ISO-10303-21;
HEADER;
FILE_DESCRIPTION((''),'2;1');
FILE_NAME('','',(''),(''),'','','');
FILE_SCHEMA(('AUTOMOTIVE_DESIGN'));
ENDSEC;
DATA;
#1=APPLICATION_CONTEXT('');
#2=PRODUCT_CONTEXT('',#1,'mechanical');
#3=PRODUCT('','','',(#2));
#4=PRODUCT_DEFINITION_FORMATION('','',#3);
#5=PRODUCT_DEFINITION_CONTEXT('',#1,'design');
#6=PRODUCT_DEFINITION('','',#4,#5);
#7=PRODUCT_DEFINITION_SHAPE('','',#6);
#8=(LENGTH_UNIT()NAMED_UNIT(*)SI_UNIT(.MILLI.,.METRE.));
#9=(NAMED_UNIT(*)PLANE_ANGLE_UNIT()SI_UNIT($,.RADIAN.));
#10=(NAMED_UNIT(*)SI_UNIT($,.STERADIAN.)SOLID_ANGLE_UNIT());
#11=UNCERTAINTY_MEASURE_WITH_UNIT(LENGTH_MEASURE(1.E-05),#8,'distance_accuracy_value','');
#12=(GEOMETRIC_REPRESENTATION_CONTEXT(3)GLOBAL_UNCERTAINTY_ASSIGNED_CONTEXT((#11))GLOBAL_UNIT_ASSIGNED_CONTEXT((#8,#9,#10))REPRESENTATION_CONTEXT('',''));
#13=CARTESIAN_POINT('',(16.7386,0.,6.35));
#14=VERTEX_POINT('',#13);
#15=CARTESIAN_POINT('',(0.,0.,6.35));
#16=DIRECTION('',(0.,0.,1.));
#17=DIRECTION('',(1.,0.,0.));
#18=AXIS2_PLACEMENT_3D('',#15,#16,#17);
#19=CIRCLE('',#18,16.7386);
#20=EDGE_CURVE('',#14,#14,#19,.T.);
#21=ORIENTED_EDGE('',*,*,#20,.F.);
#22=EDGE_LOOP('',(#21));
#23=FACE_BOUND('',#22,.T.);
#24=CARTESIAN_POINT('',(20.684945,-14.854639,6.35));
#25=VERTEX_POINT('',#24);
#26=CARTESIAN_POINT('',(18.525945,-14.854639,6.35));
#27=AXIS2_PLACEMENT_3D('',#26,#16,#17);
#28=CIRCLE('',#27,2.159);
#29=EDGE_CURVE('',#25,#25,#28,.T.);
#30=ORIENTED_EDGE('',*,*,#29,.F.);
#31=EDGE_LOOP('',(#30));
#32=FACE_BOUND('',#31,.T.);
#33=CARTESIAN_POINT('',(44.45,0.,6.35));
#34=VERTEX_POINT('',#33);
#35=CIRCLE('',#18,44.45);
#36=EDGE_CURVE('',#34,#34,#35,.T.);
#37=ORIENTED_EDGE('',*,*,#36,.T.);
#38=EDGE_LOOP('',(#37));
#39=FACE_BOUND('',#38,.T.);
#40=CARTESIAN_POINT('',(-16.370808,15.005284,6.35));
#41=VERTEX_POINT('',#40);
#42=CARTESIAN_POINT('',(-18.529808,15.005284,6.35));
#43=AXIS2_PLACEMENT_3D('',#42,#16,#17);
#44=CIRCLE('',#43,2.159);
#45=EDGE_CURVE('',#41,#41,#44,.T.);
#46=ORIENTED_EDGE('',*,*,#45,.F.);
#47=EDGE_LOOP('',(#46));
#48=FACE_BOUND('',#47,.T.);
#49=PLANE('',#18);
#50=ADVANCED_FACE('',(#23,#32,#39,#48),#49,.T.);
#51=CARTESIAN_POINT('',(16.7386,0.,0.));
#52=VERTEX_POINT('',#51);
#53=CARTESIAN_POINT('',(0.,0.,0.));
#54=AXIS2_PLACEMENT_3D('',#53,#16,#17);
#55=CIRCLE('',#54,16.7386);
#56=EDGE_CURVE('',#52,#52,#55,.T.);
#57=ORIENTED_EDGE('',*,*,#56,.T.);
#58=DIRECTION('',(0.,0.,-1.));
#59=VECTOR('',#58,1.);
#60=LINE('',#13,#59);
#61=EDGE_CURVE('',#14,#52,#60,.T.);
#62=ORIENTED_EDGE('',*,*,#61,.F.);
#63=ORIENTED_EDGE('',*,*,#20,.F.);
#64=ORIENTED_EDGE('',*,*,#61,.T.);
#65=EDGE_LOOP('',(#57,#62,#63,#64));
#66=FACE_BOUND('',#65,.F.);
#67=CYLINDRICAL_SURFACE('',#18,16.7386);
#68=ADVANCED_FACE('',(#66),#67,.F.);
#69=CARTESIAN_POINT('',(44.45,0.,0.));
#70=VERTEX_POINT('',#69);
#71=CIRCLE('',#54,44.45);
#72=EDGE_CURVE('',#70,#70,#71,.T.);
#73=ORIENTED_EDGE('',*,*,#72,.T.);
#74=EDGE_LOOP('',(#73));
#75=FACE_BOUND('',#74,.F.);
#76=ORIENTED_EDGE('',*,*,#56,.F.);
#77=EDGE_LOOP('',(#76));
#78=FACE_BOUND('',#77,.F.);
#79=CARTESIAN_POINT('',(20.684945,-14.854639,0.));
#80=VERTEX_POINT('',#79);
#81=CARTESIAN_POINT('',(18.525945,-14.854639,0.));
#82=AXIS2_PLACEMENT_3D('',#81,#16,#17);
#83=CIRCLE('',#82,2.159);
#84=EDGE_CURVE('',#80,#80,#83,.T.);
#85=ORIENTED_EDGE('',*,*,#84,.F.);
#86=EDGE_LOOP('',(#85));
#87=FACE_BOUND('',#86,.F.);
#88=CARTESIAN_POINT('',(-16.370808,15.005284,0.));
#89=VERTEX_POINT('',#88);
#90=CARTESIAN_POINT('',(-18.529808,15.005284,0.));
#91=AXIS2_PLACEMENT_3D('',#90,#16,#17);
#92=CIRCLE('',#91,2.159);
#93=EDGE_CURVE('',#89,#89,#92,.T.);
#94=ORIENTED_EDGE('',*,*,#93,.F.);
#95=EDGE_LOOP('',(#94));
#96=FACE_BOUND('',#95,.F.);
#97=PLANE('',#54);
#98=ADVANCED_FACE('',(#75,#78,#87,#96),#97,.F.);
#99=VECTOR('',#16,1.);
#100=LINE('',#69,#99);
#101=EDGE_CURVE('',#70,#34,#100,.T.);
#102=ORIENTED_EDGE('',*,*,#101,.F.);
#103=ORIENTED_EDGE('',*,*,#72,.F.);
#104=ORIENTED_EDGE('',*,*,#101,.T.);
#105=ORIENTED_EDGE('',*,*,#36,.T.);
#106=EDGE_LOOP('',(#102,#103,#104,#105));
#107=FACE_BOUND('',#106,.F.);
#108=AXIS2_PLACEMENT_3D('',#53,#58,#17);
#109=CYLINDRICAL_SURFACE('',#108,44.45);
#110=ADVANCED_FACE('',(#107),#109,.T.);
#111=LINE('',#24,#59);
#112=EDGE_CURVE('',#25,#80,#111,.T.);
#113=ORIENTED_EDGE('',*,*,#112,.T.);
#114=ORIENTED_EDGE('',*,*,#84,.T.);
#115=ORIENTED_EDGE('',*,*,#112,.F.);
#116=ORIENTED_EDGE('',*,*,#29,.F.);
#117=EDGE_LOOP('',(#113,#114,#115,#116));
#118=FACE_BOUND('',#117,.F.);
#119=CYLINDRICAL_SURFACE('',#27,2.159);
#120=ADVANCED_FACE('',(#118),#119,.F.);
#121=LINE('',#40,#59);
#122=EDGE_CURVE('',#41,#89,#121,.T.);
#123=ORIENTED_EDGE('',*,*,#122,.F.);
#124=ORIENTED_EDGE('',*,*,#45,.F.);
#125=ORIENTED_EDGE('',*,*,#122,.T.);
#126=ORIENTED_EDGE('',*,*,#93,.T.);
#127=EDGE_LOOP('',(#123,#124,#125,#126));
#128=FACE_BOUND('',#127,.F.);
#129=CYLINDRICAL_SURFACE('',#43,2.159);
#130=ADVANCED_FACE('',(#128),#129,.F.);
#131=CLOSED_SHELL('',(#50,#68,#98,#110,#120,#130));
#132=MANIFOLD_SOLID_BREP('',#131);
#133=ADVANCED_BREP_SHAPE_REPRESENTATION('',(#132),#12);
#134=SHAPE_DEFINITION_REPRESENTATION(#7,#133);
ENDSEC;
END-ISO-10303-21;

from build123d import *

# Parameters (mm, degrees)
F0_R      = 44.45
F1_DEPTH  = 6.35
F2_R      = 16.7386
F3_DEPTH  = 6.35
F7_R      = 2.159
F8_DEPTH  = 6.35
F9_R      = 2.159
F10_DEPTH = 6.35


with BuildPart() as f1:
    # F0 (on Top) → F1 (new body)
    with BuildSketch(Plane.XY):
        Circle(F0_R)
    extrude(amount=F1_DEPTH)

    # F2 (on face) → F3 (cut)
    with BuildSketch(Plane.XY.offset(6.35)):
        Circle(F2_R)
    extrude(amount=-F3_DEPTH, mode=Mode.SUBTRACT)

    # F7 (on face) → F8 (cut)
    with BuildSketch(Plane.XY.offset(6.35)):
        with Locations((-18.529808, 15.005284)):
            Circle(F7_R)
    extrude(amount=-F8_DEPTH, mode=Mode.SUBTRACT)

    # F9 (on face) → F10 (cut)
    with BuildSketch(Plane.XY.offset(6.35)):
        with Locations((18.525945, -14.854639)):
            Circle(F9_R)
    extrude(amount=-F10_DEPTH, mode=Mode.SUBTRACT)


solid = f1.part
